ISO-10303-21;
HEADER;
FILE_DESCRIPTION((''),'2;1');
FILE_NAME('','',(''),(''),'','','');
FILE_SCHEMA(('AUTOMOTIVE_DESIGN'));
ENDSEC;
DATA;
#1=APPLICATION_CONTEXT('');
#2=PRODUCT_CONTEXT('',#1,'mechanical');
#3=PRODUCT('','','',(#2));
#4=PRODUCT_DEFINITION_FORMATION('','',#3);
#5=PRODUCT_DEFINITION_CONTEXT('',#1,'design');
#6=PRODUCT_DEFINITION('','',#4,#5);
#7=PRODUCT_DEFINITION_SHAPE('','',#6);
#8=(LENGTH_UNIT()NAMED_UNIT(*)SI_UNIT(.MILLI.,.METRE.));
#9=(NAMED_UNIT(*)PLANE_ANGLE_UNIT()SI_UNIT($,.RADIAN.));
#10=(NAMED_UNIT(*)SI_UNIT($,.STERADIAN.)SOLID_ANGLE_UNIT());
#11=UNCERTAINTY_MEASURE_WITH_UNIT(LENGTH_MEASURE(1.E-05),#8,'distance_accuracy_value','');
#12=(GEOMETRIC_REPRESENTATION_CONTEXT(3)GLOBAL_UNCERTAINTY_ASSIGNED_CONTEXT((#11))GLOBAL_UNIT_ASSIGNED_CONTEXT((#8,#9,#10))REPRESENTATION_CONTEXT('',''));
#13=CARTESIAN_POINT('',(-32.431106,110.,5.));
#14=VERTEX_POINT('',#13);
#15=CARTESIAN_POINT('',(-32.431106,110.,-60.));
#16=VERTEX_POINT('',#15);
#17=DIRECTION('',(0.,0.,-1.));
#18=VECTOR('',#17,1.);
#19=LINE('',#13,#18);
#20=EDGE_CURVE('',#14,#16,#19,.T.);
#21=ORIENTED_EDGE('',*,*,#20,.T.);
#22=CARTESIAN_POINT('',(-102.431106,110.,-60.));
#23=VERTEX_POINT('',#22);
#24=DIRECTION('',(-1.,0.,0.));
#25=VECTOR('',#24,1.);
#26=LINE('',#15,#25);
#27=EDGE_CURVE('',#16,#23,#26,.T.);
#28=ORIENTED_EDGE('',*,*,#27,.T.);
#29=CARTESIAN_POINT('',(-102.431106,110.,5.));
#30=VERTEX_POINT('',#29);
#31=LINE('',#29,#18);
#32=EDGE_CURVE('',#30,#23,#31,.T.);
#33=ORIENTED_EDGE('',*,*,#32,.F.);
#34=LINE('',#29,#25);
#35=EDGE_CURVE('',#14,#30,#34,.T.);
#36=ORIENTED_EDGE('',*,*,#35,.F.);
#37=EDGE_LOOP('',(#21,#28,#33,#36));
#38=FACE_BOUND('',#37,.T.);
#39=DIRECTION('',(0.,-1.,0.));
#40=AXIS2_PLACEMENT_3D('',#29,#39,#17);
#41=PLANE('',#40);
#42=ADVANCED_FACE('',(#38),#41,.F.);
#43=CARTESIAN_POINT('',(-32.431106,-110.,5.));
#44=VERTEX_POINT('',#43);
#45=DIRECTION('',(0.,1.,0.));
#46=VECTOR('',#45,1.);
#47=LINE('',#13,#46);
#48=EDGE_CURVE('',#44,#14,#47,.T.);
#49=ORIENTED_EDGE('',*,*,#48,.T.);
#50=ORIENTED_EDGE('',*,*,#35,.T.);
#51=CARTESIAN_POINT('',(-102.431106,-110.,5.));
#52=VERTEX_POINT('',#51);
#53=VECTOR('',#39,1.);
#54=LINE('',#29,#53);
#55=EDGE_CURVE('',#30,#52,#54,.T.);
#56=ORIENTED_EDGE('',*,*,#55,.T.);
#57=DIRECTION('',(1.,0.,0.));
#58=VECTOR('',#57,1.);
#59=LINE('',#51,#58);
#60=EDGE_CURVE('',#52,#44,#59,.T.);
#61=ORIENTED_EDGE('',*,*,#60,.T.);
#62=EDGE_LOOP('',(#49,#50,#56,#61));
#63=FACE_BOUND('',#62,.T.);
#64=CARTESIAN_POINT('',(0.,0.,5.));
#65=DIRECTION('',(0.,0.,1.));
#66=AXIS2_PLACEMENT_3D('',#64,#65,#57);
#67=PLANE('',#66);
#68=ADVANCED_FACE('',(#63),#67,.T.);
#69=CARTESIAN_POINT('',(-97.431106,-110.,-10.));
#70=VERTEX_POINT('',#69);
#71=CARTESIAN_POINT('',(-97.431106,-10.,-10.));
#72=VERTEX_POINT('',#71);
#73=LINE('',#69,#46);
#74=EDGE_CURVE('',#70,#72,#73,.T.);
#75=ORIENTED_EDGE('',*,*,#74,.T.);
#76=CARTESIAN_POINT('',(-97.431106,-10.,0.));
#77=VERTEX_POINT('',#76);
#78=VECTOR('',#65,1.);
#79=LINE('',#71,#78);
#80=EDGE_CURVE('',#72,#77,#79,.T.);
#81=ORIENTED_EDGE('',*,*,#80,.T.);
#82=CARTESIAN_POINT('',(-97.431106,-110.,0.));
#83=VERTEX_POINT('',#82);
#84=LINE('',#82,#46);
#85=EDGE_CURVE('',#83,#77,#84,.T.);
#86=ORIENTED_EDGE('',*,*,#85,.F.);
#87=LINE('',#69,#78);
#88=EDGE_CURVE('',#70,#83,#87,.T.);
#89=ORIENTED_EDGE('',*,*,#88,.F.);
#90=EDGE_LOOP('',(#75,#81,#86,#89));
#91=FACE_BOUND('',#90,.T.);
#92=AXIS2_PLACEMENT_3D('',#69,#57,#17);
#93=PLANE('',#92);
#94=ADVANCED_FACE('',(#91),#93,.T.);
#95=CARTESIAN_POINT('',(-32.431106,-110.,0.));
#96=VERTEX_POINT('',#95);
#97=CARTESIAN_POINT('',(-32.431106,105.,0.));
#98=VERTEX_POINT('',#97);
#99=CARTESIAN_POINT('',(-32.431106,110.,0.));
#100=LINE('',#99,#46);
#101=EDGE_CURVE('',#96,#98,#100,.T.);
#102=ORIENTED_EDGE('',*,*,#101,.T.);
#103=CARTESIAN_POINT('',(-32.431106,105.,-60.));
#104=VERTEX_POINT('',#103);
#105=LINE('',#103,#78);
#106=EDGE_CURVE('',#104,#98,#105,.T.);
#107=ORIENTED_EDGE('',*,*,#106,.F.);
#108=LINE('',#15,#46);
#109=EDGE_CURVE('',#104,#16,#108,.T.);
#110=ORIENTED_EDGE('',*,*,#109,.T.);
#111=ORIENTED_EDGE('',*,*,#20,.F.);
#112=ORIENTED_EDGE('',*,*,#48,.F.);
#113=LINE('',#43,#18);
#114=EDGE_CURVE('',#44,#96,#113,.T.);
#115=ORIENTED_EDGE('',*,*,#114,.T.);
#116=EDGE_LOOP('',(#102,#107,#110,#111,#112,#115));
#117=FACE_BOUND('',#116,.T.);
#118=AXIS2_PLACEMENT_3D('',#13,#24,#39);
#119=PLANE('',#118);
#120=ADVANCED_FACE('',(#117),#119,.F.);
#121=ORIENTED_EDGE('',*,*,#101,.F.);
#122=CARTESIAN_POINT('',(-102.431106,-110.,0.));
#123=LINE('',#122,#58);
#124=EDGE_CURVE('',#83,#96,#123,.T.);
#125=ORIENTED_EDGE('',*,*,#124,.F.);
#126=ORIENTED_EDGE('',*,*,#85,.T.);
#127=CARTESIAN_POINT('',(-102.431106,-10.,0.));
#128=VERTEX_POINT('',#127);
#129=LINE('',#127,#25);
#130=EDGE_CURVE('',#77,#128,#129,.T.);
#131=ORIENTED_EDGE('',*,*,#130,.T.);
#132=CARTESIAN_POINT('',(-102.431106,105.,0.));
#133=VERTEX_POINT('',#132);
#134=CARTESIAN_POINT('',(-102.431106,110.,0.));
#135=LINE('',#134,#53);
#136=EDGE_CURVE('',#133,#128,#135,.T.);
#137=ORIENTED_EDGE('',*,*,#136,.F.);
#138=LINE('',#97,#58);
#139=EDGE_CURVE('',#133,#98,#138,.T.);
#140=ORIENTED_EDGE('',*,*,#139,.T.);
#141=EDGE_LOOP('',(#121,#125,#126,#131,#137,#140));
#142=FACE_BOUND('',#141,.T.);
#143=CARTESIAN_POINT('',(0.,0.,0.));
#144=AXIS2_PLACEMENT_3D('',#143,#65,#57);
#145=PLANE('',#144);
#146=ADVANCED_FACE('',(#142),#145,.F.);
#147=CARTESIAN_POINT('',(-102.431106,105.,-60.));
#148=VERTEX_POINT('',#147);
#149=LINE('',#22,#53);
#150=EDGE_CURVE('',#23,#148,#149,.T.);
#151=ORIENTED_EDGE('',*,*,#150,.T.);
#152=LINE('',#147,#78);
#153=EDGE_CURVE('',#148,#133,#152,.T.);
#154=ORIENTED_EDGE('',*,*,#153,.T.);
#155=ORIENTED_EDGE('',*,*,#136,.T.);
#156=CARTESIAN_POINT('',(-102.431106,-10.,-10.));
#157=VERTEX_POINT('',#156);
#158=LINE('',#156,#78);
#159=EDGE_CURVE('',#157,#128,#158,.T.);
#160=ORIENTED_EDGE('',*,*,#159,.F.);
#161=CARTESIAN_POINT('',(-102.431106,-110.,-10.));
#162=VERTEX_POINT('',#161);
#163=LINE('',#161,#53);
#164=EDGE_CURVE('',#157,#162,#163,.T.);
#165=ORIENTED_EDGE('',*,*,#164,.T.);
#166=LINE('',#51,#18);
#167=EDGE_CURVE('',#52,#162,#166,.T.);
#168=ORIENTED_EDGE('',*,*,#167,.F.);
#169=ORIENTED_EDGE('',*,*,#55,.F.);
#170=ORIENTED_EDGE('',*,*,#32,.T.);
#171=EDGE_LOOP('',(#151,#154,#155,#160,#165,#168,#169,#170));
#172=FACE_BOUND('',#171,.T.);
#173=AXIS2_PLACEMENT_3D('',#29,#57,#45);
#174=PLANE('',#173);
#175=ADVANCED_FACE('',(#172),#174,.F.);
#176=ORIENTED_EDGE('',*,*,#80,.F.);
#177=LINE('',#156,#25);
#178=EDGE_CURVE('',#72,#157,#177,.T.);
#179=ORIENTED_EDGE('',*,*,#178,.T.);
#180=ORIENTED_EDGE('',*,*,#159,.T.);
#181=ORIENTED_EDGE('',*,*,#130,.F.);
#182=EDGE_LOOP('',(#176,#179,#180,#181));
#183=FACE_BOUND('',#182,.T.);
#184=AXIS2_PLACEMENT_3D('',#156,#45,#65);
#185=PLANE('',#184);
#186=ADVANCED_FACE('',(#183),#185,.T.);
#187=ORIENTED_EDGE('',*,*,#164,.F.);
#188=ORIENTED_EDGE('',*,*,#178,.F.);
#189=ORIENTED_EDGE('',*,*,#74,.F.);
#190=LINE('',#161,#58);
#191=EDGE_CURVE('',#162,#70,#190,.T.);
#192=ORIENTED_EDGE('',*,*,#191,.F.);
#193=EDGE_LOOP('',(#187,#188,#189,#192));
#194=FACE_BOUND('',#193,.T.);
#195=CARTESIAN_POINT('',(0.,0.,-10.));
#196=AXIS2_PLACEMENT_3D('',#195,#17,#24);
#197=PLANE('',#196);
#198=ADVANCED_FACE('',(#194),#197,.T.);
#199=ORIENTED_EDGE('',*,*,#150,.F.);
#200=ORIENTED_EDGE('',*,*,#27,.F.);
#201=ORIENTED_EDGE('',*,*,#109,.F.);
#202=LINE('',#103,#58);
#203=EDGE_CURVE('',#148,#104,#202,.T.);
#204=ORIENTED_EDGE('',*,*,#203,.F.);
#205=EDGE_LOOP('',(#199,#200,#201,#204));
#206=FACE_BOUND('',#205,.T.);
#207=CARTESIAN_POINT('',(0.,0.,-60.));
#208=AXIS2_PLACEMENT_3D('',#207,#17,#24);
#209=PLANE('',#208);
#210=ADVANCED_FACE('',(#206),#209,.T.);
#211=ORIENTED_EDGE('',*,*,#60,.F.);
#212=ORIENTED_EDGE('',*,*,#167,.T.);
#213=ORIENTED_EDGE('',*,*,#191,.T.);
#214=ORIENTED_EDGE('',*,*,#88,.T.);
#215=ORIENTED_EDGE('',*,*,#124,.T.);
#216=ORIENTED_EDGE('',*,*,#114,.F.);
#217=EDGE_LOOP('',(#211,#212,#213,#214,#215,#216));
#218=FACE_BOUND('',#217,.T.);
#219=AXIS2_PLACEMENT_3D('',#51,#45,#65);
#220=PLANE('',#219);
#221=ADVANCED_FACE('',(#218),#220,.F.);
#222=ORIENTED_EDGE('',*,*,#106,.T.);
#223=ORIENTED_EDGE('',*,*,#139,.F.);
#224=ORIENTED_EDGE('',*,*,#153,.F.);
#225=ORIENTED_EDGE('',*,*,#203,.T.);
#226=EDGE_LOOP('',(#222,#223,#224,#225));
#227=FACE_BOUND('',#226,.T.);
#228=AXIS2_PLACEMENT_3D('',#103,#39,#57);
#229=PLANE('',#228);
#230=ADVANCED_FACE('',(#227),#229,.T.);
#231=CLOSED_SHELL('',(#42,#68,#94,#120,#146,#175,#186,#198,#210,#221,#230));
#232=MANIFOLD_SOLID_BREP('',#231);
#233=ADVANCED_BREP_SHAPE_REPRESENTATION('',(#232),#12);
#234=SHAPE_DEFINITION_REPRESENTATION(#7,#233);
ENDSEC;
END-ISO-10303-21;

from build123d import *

# Parameters (mm, degrees)
SKETCH3_W           = 70
SKETCH3_H           = 220
BOSS_EXTRUDE2_DEPTH = 5
SKETCH4_W           = 5
SKETCH4_H           = 100
BOSS_EXTRUDE3_DEPTH = 10
SKETCH5_W           = 70
SKETCH5_H           = 5
BOSS_EXTRUDE4_DEPTH = 60


with BuildPart() as part:
    # Sketch3 → Boss-Extrude2 (new body)
    with BuildSketch(Plane.XY):
        with Locations((-67.431106164, 0)):
            Rectangle(SKETCH3_W, SKETCH3_H)
    extrude(amount=BOSS_EXTRUDE2_DEPTH)

    # Sketch4 → Boss-Extrude3 (add)
    with BuildSketch(Plane.XY):
        with Locations((-99.931106164, -60)):
            Rectangle(SKETCH4_W, SKETCH4_H)
    extrude(amount=-BOSS_EXTRUDE3_DEPTH)

    # Sketch5 → Boss-Extrude4 (add)
    with BuildSketch(Plane.XY):
        with Locations((-67.431106164, 107.5)):
            Rectangle(SKETCH5_W, SKETCH5_H)
    extrude(amount=-BOSS_EXTRUDE4_DEPTH)


solid = part.part
